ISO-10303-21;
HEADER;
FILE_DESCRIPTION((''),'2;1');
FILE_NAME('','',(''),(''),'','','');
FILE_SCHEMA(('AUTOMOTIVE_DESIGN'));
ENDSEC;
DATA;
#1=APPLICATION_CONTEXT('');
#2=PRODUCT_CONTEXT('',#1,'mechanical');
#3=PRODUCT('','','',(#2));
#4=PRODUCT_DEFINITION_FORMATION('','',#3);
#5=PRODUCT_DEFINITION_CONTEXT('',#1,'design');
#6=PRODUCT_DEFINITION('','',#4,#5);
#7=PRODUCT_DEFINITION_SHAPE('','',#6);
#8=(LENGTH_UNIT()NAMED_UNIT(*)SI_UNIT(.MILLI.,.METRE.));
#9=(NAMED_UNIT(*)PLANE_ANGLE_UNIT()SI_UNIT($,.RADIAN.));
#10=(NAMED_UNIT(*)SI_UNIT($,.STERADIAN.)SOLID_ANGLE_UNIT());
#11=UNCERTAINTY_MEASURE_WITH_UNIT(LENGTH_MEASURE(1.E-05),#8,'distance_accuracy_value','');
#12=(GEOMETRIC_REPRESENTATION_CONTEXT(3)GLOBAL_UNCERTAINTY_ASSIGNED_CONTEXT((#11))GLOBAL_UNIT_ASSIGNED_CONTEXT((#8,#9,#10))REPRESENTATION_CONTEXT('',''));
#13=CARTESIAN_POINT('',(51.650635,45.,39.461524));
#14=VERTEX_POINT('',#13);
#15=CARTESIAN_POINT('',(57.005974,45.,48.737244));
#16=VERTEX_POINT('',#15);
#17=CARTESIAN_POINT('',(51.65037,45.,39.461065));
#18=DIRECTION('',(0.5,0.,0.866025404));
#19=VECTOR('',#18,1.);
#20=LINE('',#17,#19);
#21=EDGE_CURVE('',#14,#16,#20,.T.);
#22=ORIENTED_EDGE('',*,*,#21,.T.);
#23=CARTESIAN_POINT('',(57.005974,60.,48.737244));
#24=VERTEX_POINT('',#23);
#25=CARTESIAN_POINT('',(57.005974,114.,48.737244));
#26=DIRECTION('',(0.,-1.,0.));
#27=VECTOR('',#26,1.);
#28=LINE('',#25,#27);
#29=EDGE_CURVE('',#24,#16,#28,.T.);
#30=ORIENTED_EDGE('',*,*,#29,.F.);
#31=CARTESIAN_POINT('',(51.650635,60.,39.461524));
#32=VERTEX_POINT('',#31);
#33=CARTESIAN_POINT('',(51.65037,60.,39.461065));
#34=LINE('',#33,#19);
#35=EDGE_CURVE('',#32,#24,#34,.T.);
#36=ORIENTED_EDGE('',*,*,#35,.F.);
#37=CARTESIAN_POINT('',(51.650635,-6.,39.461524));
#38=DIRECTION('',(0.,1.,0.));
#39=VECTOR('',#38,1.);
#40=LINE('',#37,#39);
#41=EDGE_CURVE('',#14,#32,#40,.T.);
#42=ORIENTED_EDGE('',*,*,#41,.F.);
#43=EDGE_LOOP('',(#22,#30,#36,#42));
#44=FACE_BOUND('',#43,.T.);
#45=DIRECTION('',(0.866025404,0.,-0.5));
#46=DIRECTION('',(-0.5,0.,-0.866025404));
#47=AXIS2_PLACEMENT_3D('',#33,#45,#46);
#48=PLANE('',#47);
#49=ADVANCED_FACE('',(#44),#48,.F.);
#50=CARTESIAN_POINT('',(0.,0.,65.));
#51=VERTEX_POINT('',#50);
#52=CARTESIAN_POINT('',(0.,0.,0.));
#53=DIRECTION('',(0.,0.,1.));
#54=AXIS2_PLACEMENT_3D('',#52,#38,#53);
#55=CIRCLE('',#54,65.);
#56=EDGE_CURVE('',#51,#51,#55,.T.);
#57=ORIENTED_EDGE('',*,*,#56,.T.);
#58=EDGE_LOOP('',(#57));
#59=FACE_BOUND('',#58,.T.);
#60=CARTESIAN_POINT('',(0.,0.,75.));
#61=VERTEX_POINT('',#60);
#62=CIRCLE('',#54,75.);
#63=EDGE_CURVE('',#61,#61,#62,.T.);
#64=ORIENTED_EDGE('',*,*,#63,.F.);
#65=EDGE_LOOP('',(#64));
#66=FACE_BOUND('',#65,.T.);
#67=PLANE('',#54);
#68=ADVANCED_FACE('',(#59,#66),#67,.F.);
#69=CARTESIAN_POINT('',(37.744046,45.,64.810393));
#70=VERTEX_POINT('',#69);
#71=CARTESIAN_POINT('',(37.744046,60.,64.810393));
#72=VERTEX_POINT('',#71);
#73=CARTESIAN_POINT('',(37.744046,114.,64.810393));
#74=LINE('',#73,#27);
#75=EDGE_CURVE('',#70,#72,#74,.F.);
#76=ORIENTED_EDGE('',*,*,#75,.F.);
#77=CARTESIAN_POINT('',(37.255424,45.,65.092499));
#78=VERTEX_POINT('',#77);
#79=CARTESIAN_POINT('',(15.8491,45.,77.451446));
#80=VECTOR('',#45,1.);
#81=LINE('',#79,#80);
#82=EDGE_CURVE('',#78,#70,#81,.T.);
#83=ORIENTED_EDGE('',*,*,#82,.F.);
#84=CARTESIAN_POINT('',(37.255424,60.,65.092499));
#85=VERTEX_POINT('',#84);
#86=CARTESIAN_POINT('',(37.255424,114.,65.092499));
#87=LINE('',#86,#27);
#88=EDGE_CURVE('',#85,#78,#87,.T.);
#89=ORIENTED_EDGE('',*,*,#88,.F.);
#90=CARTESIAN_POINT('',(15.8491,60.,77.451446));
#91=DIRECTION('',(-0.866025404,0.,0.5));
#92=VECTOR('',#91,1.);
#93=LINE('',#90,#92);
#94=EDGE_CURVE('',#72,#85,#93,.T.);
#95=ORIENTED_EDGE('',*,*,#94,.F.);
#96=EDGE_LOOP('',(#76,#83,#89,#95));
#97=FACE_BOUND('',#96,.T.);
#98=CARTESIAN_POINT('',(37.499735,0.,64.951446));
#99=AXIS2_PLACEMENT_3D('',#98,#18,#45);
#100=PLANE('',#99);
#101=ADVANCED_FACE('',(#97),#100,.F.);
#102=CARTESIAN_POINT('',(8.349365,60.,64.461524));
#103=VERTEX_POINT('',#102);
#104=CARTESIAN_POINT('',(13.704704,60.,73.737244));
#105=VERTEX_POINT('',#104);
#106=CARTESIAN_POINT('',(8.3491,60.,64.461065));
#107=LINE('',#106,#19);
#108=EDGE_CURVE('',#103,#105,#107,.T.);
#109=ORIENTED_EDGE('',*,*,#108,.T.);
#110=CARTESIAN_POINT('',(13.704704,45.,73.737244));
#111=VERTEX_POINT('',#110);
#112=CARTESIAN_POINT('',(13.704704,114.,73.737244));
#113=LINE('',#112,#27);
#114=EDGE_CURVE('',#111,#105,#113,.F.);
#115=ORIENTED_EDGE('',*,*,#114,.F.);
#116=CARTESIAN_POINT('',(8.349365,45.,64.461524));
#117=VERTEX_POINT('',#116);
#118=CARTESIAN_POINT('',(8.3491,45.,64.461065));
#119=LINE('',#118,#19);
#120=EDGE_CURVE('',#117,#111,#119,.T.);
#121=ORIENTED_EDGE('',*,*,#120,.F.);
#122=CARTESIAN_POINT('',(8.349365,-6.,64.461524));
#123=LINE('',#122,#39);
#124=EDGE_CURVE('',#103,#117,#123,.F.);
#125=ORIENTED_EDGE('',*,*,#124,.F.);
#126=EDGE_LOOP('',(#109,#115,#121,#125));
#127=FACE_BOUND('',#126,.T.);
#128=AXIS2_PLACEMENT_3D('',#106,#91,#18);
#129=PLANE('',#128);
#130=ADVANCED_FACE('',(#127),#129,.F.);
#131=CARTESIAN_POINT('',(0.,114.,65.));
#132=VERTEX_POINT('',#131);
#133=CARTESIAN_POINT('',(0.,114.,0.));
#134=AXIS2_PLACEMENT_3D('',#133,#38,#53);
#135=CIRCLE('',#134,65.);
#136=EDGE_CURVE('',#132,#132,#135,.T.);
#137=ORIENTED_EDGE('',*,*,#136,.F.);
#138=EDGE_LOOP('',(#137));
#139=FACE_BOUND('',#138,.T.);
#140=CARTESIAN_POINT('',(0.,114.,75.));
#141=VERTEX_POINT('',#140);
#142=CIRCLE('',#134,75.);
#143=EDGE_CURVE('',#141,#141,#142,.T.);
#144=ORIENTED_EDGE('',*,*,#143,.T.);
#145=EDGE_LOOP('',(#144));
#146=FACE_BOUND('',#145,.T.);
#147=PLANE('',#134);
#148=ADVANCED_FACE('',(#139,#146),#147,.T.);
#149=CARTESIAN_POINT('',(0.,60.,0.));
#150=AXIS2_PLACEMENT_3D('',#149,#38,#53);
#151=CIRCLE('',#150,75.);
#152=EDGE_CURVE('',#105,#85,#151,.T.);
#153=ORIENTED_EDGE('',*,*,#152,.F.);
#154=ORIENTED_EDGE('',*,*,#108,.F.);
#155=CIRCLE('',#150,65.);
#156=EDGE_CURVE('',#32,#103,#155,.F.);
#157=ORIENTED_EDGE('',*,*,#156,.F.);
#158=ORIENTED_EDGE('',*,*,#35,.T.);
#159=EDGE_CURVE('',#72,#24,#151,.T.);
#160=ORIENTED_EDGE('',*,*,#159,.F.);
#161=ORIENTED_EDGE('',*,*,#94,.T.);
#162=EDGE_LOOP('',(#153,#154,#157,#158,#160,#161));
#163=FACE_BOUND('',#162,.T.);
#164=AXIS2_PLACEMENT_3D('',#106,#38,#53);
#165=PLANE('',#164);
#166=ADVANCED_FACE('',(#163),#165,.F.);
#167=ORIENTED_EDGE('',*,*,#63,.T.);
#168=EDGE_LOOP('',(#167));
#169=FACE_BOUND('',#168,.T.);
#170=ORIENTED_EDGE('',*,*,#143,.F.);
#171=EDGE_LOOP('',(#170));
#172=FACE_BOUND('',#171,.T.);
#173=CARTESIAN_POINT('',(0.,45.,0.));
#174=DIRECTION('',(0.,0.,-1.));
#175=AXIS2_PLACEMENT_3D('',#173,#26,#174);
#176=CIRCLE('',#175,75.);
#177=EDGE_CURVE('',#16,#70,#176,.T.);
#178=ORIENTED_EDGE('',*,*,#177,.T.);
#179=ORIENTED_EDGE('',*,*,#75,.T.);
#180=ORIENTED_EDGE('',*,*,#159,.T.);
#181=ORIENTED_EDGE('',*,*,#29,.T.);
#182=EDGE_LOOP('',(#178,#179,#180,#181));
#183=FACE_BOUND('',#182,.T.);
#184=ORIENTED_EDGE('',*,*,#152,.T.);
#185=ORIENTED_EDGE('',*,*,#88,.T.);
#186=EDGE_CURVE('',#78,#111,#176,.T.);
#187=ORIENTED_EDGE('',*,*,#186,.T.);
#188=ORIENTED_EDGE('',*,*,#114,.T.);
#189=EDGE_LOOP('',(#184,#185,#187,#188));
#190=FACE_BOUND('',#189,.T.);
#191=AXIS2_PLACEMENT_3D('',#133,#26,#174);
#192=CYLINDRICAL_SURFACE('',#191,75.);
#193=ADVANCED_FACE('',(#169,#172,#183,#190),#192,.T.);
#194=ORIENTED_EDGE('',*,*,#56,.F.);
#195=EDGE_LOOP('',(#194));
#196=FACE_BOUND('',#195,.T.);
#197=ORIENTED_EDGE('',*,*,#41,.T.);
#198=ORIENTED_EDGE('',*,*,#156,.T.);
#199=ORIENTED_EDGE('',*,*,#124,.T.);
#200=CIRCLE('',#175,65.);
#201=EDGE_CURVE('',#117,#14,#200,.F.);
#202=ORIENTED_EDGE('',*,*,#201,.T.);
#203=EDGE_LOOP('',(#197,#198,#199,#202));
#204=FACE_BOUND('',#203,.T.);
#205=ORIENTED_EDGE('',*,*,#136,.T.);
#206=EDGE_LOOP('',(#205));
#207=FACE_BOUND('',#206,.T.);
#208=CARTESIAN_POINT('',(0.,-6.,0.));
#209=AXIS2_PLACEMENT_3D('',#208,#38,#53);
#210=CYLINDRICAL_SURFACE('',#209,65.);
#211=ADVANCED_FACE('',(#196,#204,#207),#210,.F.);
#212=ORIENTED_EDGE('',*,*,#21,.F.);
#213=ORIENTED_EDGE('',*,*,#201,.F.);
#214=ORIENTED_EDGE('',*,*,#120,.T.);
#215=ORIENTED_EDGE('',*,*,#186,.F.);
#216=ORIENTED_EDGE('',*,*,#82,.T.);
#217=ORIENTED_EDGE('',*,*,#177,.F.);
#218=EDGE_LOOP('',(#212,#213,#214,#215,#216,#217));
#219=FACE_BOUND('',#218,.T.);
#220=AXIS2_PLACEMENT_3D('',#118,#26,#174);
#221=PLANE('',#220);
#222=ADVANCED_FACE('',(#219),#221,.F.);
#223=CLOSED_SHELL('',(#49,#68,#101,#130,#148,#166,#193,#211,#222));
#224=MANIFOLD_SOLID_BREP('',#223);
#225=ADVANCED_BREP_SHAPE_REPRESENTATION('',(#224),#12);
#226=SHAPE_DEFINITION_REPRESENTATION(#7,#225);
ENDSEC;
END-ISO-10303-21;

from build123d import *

# Parameters (mm, degrees)
SKETCH1_R           = 75
BOSS_EXTRUDE1_DEPTH = 114
SKETCH2_R           = 65
CUT_EXTRUDE1_DEPTH  = 120
SKETCH3_W           = 50
SKETCH3_H           = 15
CUT_EXTRUDE2_DEPTH  = 15


with BuildPart() as part:
    # Sketch1 → Boss-Extrude1 (new body)
    with BuildSketch(Plane(origin=(0, 0, 0), x_dir=(1, 0, 0), z_dir=(0, 1, 0))):
        with Locations(Location((0, 0, 0), (0, 0, 90))):
            Circle(SKETCH1_R)
    extrude(amount=BOSS_EXTRUDE1_DEPTH)

    # Sketch2 → Cut-Extrude1 (cut)
    with BuildSketch(Plane(origin=(0, 114, 0), x_dir=(1, 0, 0), z_dir=(0, 1, 0))):
        with Locations(Location((0, 0, 0), (0, 0, 270))):
            Circle(SKETCH2_R)
    extrude(amount=-CUT_EXTRUDE1_DEPTH, mode=Mode.SUBTRACT)

    # Sketch3 → Cut-Extrude2 (cut)
    with BuildSketch(Plane(origin=(37.49973472, 0, 64.951445805), x_dir=(0.8660254037844382, 0, -0.5000000000000011), z_dir=(0.5000000000000011, 6.982962677686268e-15, 0.8660254037844382))):
        with Locations((0, 52.5)):
            Rectangle(SKETCH3_W, SKETCH3_H)
    extrude(amount=-CUT_EXTRUDE2_DEPTH, mode=Mode.SUBTRACT)


solid = part.part
